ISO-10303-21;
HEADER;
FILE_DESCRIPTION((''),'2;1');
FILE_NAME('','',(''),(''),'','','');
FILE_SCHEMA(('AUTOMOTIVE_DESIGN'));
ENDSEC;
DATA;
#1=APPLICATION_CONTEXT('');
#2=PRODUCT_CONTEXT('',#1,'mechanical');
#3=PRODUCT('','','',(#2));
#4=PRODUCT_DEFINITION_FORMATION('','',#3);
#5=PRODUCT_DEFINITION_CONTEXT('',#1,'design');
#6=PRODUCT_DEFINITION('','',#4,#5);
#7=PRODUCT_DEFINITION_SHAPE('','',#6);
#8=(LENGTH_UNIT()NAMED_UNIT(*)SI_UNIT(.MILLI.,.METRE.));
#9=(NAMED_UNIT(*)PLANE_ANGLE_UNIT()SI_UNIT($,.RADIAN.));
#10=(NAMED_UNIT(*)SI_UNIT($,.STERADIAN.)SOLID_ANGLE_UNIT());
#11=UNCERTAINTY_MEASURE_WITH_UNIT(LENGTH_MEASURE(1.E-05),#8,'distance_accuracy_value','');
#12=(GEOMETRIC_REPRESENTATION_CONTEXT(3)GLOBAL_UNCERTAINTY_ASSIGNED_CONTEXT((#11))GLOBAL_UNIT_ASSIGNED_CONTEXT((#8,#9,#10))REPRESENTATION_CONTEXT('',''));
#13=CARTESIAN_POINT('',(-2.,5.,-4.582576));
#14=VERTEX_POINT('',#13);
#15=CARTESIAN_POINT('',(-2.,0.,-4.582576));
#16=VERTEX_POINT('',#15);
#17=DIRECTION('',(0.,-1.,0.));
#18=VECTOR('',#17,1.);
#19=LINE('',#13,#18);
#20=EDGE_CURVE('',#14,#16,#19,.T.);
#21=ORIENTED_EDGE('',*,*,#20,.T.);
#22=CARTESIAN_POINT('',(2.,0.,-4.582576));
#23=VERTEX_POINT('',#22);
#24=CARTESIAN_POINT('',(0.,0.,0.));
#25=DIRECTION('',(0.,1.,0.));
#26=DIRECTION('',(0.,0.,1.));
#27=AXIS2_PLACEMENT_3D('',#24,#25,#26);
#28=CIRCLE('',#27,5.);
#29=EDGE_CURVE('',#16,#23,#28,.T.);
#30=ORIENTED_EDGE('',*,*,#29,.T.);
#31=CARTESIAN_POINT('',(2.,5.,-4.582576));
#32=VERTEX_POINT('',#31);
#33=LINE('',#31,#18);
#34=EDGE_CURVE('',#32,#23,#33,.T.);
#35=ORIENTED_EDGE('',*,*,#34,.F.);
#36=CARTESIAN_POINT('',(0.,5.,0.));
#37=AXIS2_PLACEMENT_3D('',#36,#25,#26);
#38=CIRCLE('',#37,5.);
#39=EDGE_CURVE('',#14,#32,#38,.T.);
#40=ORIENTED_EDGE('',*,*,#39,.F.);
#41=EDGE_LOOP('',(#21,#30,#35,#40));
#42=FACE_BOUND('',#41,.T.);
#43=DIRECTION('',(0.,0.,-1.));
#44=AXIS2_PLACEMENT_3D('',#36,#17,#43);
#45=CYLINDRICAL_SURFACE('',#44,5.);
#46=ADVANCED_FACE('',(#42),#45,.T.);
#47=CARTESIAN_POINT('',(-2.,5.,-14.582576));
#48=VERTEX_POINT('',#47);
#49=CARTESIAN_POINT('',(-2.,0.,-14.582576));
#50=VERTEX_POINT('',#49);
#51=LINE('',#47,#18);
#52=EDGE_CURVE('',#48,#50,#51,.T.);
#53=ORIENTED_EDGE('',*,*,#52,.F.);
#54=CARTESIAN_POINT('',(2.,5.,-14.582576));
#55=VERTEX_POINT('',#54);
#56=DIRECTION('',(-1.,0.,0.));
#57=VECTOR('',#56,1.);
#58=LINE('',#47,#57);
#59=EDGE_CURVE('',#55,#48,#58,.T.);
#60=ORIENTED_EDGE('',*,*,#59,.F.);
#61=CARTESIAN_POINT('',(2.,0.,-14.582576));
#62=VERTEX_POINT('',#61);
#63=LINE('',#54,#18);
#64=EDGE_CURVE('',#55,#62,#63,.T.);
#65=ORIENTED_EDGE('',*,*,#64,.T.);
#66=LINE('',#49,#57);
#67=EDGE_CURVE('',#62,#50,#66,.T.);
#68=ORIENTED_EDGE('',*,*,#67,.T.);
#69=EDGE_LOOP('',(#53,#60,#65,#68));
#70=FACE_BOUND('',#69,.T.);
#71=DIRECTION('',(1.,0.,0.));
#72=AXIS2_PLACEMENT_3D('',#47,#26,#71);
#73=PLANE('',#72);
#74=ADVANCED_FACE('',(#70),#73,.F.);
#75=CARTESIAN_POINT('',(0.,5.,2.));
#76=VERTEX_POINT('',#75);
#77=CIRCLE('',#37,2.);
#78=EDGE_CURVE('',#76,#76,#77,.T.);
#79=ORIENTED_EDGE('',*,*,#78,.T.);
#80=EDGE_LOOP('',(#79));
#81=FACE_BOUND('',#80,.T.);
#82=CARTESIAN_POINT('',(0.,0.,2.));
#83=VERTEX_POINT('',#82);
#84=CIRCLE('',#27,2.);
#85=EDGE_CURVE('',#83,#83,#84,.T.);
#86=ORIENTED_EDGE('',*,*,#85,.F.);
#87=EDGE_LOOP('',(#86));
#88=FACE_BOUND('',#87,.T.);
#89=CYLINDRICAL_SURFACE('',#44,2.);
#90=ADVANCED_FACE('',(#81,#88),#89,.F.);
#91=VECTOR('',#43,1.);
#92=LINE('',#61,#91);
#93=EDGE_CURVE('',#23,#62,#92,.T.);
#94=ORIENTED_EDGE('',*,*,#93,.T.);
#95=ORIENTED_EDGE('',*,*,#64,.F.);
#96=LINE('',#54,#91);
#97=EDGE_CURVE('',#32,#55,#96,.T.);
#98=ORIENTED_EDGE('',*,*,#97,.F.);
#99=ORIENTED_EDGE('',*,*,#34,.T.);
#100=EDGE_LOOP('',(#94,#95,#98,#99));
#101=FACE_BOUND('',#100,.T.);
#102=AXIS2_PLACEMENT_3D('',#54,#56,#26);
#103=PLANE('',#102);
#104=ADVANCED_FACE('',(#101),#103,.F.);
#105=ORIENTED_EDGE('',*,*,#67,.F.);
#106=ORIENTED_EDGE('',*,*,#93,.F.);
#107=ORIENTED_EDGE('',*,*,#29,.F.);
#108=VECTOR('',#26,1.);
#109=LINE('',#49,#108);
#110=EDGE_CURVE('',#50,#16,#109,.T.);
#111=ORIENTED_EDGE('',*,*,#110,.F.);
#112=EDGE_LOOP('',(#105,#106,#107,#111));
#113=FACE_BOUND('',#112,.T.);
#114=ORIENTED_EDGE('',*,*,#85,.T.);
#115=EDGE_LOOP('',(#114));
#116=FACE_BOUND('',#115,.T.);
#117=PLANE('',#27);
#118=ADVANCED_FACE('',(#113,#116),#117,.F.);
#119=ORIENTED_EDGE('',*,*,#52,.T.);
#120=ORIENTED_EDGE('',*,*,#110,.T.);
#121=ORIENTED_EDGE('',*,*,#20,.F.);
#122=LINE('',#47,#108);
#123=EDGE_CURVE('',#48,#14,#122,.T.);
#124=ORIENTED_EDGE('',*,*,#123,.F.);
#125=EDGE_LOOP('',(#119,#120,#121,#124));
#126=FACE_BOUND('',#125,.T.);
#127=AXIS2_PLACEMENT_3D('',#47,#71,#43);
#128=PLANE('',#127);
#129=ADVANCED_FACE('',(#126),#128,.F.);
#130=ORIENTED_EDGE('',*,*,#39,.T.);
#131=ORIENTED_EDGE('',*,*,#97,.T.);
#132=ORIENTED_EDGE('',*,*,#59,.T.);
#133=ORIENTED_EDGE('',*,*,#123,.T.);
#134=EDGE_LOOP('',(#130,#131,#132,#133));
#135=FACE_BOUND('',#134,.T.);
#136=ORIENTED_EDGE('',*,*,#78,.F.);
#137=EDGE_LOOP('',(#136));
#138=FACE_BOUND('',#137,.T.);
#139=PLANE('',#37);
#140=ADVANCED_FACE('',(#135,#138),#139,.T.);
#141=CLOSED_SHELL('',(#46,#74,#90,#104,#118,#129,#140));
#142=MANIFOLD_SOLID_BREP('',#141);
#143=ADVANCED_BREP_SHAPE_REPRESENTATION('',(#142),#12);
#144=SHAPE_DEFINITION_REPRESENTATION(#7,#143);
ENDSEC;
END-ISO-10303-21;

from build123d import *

# Parameters (mm, degrees)
SKETCH1_R           = 2
BOSS_EXTRUDE1_DEPTH = 5


with BuildPart() as part:
    # Sketch1 → Boss-Extrude1 (new body)
    with BuildSketch(Plane(origin=(0, 0, 0), x_dir=(1, 0, 0), z_dir=(0, 1, 0))):
        with BuildLine():
            Line((-2, 14.582575695), (2, 14.582575695))
            Line((2, 14.582575695), (2, 4.582575695))
            ThreePointArc((2, 4.582575695), (0, -5), (-2, 4.582575695))
            Line((-2, 4.582575695), (-2, 14.582575695))
        make_face()
        with Locations(Location((0, 0, 0), (0, 0, 270))):
            Circle(SKETCH1_R, mode=Mode.SUBTRACT)
    extrude(amount=BOSS_EXTRUDE1_DEPTH)


solid = part.part
